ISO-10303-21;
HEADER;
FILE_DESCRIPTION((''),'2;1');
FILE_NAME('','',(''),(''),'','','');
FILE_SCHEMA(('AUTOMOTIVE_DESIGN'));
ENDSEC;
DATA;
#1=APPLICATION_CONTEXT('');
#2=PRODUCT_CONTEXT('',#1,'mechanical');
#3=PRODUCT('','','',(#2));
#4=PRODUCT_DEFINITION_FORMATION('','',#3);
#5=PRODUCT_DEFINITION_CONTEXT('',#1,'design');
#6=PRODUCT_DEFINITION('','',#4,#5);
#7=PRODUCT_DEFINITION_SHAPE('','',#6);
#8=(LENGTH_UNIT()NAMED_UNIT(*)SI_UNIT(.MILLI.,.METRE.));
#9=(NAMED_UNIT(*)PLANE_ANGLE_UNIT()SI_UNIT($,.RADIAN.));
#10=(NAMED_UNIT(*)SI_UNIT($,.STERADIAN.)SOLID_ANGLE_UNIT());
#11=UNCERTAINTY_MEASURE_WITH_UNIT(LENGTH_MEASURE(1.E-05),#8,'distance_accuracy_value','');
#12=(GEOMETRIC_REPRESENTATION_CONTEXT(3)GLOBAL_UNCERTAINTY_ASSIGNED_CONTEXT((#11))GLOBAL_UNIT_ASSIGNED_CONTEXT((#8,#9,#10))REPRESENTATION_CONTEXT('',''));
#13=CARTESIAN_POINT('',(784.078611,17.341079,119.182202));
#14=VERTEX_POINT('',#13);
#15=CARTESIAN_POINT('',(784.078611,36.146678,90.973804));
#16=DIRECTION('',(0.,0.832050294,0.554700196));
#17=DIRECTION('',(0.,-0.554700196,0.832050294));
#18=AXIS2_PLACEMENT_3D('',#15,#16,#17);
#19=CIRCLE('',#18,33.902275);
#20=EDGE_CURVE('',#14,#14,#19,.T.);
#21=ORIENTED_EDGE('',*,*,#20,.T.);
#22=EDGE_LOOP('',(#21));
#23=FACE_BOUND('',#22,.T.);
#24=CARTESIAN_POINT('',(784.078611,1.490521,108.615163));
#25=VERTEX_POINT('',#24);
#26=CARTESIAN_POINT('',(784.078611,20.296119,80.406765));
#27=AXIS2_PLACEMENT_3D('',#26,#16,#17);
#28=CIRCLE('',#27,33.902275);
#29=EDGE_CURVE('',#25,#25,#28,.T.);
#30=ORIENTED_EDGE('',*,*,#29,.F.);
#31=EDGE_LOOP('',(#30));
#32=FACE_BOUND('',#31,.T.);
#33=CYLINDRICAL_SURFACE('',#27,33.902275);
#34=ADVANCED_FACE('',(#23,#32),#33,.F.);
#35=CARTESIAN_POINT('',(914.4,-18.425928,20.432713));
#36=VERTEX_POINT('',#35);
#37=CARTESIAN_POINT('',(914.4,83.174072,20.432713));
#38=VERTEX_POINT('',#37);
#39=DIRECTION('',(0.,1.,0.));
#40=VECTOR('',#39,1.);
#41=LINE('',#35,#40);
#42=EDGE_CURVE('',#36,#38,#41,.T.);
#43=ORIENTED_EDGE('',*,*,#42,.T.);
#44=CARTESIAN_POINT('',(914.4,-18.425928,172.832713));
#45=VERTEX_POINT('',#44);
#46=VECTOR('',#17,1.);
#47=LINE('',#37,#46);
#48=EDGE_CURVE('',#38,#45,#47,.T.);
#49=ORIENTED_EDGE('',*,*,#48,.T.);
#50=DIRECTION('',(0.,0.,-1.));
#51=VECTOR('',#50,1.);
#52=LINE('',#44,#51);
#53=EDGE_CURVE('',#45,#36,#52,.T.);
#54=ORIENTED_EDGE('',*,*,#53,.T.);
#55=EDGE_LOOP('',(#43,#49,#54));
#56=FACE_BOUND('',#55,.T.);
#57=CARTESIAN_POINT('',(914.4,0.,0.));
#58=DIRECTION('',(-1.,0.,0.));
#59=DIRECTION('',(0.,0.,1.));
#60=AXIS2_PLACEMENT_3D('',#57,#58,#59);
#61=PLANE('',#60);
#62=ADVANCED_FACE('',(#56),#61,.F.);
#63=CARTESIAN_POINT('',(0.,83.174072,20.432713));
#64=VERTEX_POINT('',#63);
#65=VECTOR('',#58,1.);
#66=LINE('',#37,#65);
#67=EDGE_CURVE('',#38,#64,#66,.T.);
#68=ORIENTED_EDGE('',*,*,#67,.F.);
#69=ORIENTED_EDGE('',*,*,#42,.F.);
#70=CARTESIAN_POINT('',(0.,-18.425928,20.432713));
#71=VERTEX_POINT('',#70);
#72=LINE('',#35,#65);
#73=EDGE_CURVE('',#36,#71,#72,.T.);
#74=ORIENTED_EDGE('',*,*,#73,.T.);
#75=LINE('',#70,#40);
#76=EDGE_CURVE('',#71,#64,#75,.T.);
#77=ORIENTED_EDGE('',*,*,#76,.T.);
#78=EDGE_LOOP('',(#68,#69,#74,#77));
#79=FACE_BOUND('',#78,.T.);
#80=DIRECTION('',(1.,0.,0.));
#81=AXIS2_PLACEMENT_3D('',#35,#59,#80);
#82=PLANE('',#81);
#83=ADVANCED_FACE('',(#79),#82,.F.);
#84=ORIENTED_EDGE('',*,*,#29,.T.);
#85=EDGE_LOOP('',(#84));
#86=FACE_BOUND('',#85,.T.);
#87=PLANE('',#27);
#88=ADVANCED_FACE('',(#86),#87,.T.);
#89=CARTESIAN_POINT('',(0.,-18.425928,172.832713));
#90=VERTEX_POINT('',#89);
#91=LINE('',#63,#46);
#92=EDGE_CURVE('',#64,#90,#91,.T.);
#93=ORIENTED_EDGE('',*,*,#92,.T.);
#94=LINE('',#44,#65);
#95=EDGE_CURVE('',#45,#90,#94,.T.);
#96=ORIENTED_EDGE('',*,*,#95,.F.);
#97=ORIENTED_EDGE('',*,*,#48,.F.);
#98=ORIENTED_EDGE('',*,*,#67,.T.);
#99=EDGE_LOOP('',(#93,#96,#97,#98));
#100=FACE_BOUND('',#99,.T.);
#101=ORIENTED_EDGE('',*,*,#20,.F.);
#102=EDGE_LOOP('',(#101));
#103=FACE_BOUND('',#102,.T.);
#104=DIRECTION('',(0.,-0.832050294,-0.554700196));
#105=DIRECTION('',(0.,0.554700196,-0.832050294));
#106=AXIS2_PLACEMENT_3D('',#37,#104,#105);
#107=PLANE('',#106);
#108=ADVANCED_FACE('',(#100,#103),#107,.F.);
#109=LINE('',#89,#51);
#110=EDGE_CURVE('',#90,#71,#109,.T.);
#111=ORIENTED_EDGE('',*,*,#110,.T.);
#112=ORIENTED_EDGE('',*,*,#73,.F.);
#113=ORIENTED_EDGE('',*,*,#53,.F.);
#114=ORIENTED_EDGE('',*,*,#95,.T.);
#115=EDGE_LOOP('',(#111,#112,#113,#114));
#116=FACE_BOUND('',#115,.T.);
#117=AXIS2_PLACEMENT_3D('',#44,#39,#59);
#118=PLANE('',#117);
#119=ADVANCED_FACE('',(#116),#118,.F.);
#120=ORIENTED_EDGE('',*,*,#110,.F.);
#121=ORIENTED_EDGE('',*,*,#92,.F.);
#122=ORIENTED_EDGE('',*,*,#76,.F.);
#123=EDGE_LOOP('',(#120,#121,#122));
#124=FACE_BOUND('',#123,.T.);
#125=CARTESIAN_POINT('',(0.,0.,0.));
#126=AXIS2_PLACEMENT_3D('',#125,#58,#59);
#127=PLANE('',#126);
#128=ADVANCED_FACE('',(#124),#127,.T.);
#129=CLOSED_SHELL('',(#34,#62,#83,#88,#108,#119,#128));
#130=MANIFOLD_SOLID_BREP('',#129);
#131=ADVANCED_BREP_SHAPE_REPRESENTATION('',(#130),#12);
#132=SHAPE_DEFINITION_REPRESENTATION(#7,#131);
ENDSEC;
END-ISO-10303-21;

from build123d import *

# Parameters (mm, degrees)
BOSS_EXTRUDE1_DEPTH = 914.4
SKETCH6_R           = 33.902275387
CUT_EXTRUDE1_DEPTH  = 19.05


with BuildPart() as part:
    # Sketch1 → Boss-Extrude1 (new body)
    with BuildSketch(Plane(origin=(0, 0, 0), x_dir=(0, 0, -1), z_dir=(1, 0, 0))):
        Polygon((-20.432712568, 83.174071702), (-172.832712568, -18.425928298), (-20.432712568, -18.425928298), align=None)
    extrude(amount=BOSS_EXTRUDE1_DEPTH)

    # Sketch6 → Cut-Extrude1 (cut)
    with BuildSketch(Plane(origin=(0, 67.012532364, 44.675021576), x_dir=(1, 0, 0), z_dir=(0, 0.8320502943378435, 0.5547001962252294))):
        with Locations(Location((784.078611342, -55.644211071, 0), (0, 0, 270))):
            Circle(SKETCH6_R)
    extrude(amount=-CUT_EXTRUDE1_DEPTH, mode=Mode.SUBTRACT)


solid = part.part
